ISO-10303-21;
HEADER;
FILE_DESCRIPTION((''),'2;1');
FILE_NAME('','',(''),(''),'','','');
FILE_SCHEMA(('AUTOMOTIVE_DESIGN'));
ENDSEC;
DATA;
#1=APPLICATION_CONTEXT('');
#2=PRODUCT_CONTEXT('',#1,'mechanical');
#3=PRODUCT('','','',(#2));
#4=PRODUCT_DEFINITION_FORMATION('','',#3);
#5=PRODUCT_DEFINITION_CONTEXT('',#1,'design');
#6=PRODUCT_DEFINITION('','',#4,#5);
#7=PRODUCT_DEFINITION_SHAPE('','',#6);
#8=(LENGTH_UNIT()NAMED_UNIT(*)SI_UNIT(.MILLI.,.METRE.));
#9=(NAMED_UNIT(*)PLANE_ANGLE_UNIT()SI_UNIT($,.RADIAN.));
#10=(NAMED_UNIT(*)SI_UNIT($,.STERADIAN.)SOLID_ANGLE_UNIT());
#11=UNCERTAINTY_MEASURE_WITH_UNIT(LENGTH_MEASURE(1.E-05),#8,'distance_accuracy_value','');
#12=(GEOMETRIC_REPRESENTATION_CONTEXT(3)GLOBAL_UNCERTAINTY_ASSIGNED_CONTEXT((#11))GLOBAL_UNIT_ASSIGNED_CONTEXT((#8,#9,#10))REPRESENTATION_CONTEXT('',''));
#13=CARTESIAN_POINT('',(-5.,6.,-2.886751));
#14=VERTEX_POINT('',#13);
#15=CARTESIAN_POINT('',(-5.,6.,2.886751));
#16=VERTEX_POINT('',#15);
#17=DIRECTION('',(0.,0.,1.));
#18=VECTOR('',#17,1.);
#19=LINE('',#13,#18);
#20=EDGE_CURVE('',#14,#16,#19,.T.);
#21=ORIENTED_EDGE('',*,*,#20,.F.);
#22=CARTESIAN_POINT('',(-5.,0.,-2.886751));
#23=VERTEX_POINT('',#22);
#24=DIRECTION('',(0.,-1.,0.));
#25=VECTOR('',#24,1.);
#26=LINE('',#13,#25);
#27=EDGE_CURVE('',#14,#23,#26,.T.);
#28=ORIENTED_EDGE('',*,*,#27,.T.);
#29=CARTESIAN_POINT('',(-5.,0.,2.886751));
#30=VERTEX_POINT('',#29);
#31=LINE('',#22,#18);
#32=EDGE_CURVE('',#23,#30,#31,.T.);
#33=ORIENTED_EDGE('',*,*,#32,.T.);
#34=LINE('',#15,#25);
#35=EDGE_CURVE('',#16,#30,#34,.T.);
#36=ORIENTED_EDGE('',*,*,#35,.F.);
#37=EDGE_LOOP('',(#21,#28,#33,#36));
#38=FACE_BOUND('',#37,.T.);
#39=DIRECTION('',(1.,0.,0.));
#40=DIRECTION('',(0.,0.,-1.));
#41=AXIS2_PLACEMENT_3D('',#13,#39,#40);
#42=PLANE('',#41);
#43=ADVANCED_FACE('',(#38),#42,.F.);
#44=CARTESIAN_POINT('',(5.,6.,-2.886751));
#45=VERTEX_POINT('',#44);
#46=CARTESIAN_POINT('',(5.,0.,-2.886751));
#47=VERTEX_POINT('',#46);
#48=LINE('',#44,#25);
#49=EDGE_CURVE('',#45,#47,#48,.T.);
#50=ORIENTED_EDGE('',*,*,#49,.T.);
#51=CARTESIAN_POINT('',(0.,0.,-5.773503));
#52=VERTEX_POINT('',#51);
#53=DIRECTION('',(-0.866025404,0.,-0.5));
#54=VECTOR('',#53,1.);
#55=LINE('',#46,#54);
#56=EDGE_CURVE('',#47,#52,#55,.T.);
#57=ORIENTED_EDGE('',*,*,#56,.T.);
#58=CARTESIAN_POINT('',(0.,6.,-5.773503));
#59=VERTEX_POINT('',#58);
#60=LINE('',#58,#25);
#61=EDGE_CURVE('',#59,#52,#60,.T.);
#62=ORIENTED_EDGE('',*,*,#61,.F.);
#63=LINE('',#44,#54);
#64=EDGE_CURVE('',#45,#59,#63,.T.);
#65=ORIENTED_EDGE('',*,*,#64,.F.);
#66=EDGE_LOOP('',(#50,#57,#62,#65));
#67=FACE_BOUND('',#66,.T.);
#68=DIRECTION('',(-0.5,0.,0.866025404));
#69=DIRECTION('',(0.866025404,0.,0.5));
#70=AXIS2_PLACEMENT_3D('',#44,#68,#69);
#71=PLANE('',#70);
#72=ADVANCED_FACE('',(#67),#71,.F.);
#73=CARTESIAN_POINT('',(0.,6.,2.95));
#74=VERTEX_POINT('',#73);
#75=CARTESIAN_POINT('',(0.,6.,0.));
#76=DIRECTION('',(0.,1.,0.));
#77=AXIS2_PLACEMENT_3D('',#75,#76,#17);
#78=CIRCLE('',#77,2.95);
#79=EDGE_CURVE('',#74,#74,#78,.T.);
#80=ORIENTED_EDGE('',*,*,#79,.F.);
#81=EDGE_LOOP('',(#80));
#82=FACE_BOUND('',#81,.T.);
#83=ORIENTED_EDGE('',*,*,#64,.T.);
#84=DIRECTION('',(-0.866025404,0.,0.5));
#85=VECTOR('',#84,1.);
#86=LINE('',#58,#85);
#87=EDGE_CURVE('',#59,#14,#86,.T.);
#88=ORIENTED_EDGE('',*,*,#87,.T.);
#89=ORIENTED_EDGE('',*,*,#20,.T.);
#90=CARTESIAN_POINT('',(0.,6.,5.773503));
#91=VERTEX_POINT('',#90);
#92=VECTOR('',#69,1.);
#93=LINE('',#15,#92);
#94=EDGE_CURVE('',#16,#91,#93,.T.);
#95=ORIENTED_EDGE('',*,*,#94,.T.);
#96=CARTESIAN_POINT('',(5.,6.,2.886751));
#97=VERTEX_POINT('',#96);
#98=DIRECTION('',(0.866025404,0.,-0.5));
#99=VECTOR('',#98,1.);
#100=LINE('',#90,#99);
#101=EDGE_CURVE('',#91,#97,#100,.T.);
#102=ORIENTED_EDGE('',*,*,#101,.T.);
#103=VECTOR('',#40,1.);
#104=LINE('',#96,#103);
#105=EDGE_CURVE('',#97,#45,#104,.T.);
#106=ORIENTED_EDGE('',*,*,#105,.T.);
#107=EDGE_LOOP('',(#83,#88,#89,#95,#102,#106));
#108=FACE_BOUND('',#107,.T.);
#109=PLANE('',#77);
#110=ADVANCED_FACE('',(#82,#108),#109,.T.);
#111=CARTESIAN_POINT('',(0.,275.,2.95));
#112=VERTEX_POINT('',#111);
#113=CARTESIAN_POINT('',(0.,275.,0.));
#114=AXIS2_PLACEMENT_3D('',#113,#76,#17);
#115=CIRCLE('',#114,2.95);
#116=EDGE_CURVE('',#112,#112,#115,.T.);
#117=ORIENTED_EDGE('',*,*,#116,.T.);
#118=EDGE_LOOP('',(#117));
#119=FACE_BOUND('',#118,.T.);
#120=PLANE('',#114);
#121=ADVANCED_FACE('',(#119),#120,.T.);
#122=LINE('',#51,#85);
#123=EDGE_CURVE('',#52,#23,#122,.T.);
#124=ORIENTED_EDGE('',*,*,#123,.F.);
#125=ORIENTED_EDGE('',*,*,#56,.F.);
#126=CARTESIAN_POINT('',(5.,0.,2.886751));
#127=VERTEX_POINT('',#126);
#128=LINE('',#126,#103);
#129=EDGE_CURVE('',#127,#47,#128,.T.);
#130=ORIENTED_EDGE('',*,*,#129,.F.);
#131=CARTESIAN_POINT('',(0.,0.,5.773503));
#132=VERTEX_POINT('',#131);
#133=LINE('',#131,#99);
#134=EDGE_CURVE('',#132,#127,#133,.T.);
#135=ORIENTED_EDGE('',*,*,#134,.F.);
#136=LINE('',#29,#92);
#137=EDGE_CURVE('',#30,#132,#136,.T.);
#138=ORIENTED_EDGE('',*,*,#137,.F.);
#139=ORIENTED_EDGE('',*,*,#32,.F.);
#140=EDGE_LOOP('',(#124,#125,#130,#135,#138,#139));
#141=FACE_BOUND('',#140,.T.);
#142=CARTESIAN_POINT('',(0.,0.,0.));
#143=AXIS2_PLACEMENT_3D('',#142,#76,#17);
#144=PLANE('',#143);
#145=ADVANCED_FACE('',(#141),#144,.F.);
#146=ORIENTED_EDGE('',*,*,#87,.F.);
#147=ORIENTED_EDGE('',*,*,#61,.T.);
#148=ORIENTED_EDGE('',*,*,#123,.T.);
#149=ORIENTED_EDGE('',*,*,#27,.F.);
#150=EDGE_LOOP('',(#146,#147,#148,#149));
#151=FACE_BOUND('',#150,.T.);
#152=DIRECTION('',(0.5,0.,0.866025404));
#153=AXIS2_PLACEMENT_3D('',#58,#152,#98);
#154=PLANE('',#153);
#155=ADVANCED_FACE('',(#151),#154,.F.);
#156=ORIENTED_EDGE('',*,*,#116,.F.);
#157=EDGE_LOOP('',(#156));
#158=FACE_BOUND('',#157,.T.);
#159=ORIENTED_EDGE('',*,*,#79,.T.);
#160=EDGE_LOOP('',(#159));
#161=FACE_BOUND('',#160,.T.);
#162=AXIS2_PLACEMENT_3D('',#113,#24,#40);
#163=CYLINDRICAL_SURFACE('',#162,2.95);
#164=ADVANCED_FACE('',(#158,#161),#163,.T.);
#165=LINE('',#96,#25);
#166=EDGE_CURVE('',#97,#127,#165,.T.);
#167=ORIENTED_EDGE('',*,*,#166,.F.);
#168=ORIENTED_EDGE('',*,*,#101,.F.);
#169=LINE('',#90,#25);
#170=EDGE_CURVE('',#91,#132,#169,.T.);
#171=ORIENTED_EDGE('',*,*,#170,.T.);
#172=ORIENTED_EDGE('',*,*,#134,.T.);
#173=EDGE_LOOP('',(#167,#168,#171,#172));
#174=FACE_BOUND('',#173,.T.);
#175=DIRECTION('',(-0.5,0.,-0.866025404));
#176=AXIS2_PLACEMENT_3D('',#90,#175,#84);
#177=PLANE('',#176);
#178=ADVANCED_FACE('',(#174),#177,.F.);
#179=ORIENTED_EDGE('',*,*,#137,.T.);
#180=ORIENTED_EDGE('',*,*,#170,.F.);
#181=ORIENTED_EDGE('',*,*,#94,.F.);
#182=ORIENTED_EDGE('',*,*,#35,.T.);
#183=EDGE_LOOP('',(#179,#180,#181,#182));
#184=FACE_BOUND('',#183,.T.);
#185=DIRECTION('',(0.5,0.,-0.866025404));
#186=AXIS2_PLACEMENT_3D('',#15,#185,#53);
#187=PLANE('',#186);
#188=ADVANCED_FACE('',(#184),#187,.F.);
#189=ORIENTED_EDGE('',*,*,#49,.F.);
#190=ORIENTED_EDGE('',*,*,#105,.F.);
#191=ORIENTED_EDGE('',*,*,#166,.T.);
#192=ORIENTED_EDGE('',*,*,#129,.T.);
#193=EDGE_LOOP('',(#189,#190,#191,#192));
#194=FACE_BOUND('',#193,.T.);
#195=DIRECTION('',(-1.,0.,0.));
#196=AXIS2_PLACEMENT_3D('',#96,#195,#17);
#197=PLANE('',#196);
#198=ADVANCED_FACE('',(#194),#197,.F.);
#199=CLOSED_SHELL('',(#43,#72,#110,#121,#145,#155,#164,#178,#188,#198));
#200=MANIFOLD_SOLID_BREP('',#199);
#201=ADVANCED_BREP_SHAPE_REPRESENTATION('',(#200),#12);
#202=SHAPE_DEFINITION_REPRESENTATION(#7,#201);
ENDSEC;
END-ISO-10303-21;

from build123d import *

# Parameters (mm, degrees)
BOSS_EXTRUDE1_DEPTH = 6
SKETCH2_R           = 2.95
BOSS_EXTRUDE2_DEPTH = 269


with BuildPart() as part:
    # Sketch1 → Boss-Extrude1 (new body)
    with BuildSketch(Plane(origin=(0, 0, 0), x_dir=(1, 0, 0), z_dir=(0, 1, 0))):
        Polygon((0, 5.773502692), (-5, 2.886751346), (-5, -2.886751346), (0, -5.773502692), (5, -2.886751346), (5, 2.886751346), align=None)
    extrude(amount=BOSS_EXTRUDE1_DEPTH)

    # Sketch2 → Boss-Extrude2 (add)
    with BuildSketch(Plane(origin=(0, 6, 0), x_dir=(1, 0, 0), z_dir=(0, 1, 0))):
        with Locations(Location((0, 0, 0), (0, 0, 270))):
            Circle(SKETCH2_R)
    extrude(amount=BOSS_EXTRUDE2_DEPTH)


solid = part.part
